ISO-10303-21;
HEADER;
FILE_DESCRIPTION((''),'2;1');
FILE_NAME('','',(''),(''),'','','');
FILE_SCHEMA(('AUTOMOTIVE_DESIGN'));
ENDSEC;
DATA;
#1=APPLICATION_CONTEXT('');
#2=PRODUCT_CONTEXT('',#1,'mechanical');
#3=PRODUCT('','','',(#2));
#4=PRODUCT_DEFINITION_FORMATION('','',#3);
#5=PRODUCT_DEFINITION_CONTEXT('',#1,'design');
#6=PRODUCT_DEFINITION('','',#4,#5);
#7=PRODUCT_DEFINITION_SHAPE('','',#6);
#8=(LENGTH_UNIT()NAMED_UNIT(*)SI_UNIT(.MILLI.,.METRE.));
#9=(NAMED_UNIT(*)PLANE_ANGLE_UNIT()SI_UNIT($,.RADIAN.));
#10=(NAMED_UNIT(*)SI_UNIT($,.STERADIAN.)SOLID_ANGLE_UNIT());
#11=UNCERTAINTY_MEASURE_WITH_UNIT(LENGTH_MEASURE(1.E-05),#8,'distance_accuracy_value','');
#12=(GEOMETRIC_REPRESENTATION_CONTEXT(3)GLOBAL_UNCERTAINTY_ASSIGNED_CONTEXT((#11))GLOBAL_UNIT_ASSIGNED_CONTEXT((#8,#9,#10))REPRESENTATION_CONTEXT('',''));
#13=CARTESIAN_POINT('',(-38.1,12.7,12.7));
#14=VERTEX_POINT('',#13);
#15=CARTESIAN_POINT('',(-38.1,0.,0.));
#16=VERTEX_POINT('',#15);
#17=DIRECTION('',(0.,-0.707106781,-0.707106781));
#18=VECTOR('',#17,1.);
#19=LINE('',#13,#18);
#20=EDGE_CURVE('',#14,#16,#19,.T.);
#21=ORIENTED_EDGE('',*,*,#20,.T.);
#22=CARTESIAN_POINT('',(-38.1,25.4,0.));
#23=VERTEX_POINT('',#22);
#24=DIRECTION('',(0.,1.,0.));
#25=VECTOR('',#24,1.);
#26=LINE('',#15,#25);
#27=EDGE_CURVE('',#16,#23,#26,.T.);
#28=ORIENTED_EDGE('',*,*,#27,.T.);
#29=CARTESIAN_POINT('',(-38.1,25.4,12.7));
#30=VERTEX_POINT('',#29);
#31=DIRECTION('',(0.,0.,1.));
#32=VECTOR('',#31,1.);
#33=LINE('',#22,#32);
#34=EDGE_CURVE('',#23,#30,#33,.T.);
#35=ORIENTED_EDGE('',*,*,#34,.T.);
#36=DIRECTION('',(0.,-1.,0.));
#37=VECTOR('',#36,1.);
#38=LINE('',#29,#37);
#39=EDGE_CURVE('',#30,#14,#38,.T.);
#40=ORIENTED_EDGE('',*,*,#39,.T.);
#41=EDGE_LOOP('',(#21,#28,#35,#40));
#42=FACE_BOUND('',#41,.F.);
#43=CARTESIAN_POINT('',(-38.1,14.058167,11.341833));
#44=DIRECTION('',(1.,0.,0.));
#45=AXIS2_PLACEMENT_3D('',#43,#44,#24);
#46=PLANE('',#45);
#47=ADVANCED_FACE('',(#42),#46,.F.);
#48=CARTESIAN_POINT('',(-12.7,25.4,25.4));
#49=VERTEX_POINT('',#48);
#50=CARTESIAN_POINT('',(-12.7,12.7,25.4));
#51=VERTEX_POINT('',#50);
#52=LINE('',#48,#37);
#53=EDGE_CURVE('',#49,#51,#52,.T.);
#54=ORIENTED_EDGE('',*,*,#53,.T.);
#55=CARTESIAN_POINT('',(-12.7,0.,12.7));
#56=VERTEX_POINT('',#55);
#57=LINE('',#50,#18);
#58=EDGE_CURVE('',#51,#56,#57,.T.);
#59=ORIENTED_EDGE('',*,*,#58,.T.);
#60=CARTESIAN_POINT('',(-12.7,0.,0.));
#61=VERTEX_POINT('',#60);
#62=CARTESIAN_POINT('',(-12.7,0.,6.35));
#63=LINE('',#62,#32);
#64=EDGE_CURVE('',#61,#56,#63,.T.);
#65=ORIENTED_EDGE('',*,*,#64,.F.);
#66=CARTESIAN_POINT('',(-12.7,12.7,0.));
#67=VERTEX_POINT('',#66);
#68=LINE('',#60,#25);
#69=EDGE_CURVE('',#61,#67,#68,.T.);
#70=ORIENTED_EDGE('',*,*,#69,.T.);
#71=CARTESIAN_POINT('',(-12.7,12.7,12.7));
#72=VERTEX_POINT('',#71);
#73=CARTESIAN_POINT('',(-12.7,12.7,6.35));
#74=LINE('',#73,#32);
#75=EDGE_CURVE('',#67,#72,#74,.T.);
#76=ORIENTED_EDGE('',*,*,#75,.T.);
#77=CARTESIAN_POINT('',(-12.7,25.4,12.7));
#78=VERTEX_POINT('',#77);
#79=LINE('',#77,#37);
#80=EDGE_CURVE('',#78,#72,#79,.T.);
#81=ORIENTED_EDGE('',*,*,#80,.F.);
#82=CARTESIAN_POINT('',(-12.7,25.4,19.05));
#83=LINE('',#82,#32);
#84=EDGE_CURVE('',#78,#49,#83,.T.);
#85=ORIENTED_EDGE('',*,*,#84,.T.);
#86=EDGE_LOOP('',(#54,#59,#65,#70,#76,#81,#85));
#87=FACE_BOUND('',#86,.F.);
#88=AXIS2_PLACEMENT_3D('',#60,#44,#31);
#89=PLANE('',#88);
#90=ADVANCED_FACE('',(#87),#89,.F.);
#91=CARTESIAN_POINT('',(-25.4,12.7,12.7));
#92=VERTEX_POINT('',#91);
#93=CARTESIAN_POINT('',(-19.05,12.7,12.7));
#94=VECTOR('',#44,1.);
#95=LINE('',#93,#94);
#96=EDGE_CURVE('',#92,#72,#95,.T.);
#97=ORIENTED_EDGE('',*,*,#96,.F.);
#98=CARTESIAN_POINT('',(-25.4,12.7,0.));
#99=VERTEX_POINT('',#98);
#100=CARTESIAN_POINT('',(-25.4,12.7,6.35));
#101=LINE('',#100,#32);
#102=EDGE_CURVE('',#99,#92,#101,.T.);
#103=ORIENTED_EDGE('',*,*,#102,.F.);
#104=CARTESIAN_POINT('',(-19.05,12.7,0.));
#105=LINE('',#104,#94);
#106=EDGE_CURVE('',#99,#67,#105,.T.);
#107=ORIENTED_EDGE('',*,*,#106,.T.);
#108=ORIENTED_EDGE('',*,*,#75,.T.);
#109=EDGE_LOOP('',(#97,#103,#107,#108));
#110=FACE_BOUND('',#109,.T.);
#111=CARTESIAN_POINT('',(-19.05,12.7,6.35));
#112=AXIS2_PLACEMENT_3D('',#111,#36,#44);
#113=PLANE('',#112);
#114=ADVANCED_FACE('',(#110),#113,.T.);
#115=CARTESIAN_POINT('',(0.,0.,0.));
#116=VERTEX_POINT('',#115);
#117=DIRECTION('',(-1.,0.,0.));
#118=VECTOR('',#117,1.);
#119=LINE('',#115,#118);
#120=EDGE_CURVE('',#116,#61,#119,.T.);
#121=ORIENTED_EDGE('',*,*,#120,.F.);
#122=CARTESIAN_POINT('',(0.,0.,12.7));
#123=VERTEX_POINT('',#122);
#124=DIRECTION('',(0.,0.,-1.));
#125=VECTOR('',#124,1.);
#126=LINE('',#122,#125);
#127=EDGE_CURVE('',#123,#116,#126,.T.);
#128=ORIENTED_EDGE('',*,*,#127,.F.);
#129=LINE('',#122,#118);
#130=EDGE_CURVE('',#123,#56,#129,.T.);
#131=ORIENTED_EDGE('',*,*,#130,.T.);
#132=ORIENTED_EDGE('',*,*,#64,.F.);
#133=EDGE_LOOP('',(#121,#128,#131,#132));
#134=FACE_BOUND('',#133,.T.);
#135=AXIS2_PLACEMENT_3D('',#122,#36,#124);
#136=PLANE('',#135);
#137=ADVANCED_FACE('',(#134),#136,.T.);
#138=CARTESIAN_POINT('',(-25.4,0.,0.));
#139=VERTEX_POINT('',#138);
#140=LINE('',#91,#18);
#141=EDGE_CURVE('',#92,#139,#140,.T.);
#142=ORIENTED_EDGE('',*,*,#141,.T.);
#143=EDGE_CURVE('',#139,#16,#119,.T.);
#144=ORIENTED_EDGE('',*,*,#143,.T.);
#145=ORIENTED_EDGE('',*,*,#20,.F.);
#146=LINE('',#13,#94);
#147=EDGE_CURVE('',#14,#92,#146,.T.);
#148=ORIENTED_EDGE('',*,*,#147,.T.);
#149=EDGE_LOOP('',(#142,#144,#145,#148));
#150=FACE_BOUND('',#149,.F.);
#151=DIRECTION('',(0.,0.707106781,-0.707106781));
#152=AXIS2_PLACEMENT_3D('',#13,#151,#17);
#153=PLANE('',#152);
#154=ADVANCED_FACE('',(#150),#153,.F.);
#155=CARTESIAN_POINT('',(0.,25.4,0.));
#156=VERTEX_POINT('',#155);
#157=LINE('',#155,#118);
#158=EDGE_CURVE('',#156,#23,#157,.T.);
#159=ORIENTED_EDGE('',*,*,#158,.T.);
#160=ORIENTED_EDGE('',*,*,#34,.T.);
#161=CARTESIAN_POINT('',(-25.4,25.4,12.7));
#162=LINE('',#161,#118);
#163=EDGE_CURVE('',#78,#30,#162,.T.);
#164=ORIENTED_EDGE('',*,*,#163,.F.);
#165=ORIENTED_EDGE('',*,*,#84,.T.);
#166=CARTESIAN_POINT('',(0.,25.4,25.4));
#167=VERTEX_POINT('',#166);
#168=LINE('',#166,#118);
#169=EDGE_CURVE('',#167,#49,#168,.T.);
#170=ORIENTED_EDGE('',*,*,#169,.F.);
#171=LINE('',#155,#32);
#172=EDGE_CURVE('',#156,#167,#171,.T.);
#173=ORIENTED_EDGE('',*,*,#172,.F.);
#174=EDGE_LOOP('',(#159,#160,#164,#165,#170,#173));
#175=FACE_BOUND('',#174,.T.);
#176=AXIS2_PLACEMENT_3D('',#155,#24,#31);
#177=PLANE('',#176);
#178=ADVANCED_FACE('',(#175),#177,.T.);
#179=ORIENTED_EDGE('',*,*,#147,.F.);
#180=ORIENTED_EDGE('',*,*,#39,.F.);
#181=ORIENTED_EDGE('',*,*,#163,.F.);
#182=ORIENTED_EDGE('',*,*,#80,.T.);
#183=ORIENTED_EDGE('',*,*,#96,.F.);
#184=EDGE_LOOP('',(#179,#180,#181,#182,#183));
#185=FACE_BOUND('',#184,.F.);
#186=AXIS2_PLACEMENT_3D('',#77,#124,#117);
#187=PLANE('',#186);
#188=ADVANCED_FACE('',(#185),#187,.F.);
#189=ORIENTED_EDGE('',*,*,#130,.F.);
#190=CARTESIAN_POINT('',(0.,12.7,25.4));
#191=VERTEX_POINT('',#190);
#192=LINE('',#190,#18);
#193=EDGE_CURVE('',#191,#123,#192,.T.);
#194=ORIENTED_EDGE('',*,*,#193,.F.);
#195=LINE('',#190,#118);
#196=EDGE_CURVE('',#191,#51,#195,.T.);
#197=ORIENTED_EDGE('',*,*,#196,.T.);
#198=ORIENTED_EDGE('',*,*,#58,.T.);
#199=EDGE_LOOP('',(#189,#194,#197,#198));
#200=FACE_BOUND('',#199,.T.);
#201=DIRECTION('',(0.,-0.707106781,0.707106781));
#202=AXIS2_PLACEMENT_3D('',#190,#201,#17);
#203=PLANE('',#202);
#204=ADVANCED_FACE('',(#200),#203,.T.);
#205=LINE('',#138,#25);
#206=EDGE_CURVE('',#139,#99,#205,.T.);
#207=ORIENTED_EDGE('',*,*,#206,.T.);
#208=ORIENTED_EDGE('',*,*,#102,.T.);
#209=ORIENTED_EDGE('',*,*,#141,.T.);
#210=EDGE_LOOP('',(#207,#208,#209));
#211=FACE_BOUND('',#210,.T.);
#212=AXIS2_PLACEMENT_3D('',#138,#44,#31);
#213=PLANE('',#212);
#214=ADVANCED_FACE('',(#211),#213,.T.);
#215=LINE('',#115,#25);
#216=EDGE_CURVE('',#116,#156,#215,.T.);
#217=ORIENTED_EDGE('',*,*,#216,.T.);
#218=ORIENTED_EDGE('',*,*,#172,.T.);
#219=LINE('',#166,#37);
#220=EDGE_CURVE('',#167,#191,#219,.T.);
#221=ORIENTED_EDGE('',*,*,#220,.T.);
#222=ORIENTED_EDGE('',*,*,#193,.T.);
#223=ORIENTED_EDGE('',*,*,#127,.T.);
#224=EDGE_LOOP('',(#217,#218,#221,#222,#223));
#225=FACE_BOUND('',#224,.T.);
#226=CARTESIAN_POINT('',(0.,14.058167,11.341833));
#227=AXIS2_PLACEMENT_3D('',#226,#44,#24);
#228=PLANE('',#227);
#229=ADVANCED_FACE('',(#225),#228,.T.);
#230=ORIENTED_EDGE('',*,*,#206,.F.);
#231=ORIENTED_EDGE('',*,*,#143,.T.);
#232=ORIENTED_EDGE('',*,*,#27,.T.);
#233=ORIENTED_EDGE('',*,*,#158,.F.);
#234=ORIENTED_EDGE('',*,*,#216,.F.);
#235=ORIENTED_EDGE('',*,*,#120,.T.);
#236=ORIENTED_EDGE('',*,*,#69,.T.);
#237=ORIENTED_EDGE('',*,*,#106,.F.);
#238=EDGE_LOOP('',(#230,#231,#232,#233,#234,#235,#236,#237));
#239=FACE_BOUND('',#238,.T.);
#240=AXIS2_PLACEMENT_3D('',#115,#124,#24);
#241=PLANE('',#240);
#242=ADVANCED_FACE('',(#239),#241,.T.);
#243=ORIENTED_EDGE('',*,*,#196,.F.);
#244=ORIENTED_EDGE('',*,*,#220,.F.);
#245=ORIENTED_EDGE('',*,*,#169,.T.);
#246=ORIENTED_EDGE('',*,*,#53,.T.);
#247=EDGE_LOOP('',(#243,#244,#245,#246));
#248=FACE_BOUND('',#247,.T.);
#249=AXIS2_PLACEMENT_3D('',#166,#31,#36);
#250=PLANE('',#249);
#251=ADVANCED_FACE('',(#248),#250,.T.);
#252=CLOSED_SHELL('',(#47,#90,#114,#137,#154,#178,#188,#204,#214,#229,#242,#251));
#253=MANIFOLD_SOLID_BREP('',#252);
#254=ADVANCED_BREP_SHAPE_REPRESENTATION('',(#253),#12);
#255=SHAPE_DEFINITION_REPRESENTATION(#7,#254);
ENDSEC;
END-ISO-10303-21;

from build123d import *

# Parameters (mm, degrees)
F1_DEPTH = 38.1
F2_W     = 25.4
F2_H     = 12.7
F3_DEPTH = 25.4
F4_W     = 12.7
F4_H     = 12.7
F5_DEPTH = 12.7
F7_DEPTH = 12.7


with BuildPart() as f1:
    # F0 (on Right) → F1 (new body)
    with BuildSketch(Plane.YZ):
        Polygon((0, 12.7), (0, 0), (25.4, 0), (25.4, 25.4), (12.7, 25.4), align=None)
    extrude(amount=-F1_DEPTH)

    # F2 (on face) → F3 (cut)
    with BuildSketch(Plane(origin=(0, 25.4, 0), x_dir=(-1, 0, 0), z_dir=(0, 1, 0))):
        with Locations((25.4, 19.05)):
            Rectangle(F2_W, F2_H)
    extrude(amount=-F3_DEPTH, mode=Mode.SUBTRACT)

    # F4 (on face) → F5 (cut)
    with BuildSketch(Plane.XZ):
        with Locations((-19.05, 6.35)):
            Rectangle(F4_W, F4_H)
    extrude(amount=-F5_DEPTH, mode=Mode.SUBTRACT)

    # F6 (on face) → F7 (cut)
    with BuildSketch(Plane(origin=(-38.1, 0, 0), x_dir=(0, -1, 0), z_dir=(-1, 0, 0))):
        Polygon((-12.7, 12.7), (0, 0), (0, 12.7), align=None)
    extrude(amount=-F7_DEPTH, mode=Mode.SUBTRACT)


solid = f1.part
